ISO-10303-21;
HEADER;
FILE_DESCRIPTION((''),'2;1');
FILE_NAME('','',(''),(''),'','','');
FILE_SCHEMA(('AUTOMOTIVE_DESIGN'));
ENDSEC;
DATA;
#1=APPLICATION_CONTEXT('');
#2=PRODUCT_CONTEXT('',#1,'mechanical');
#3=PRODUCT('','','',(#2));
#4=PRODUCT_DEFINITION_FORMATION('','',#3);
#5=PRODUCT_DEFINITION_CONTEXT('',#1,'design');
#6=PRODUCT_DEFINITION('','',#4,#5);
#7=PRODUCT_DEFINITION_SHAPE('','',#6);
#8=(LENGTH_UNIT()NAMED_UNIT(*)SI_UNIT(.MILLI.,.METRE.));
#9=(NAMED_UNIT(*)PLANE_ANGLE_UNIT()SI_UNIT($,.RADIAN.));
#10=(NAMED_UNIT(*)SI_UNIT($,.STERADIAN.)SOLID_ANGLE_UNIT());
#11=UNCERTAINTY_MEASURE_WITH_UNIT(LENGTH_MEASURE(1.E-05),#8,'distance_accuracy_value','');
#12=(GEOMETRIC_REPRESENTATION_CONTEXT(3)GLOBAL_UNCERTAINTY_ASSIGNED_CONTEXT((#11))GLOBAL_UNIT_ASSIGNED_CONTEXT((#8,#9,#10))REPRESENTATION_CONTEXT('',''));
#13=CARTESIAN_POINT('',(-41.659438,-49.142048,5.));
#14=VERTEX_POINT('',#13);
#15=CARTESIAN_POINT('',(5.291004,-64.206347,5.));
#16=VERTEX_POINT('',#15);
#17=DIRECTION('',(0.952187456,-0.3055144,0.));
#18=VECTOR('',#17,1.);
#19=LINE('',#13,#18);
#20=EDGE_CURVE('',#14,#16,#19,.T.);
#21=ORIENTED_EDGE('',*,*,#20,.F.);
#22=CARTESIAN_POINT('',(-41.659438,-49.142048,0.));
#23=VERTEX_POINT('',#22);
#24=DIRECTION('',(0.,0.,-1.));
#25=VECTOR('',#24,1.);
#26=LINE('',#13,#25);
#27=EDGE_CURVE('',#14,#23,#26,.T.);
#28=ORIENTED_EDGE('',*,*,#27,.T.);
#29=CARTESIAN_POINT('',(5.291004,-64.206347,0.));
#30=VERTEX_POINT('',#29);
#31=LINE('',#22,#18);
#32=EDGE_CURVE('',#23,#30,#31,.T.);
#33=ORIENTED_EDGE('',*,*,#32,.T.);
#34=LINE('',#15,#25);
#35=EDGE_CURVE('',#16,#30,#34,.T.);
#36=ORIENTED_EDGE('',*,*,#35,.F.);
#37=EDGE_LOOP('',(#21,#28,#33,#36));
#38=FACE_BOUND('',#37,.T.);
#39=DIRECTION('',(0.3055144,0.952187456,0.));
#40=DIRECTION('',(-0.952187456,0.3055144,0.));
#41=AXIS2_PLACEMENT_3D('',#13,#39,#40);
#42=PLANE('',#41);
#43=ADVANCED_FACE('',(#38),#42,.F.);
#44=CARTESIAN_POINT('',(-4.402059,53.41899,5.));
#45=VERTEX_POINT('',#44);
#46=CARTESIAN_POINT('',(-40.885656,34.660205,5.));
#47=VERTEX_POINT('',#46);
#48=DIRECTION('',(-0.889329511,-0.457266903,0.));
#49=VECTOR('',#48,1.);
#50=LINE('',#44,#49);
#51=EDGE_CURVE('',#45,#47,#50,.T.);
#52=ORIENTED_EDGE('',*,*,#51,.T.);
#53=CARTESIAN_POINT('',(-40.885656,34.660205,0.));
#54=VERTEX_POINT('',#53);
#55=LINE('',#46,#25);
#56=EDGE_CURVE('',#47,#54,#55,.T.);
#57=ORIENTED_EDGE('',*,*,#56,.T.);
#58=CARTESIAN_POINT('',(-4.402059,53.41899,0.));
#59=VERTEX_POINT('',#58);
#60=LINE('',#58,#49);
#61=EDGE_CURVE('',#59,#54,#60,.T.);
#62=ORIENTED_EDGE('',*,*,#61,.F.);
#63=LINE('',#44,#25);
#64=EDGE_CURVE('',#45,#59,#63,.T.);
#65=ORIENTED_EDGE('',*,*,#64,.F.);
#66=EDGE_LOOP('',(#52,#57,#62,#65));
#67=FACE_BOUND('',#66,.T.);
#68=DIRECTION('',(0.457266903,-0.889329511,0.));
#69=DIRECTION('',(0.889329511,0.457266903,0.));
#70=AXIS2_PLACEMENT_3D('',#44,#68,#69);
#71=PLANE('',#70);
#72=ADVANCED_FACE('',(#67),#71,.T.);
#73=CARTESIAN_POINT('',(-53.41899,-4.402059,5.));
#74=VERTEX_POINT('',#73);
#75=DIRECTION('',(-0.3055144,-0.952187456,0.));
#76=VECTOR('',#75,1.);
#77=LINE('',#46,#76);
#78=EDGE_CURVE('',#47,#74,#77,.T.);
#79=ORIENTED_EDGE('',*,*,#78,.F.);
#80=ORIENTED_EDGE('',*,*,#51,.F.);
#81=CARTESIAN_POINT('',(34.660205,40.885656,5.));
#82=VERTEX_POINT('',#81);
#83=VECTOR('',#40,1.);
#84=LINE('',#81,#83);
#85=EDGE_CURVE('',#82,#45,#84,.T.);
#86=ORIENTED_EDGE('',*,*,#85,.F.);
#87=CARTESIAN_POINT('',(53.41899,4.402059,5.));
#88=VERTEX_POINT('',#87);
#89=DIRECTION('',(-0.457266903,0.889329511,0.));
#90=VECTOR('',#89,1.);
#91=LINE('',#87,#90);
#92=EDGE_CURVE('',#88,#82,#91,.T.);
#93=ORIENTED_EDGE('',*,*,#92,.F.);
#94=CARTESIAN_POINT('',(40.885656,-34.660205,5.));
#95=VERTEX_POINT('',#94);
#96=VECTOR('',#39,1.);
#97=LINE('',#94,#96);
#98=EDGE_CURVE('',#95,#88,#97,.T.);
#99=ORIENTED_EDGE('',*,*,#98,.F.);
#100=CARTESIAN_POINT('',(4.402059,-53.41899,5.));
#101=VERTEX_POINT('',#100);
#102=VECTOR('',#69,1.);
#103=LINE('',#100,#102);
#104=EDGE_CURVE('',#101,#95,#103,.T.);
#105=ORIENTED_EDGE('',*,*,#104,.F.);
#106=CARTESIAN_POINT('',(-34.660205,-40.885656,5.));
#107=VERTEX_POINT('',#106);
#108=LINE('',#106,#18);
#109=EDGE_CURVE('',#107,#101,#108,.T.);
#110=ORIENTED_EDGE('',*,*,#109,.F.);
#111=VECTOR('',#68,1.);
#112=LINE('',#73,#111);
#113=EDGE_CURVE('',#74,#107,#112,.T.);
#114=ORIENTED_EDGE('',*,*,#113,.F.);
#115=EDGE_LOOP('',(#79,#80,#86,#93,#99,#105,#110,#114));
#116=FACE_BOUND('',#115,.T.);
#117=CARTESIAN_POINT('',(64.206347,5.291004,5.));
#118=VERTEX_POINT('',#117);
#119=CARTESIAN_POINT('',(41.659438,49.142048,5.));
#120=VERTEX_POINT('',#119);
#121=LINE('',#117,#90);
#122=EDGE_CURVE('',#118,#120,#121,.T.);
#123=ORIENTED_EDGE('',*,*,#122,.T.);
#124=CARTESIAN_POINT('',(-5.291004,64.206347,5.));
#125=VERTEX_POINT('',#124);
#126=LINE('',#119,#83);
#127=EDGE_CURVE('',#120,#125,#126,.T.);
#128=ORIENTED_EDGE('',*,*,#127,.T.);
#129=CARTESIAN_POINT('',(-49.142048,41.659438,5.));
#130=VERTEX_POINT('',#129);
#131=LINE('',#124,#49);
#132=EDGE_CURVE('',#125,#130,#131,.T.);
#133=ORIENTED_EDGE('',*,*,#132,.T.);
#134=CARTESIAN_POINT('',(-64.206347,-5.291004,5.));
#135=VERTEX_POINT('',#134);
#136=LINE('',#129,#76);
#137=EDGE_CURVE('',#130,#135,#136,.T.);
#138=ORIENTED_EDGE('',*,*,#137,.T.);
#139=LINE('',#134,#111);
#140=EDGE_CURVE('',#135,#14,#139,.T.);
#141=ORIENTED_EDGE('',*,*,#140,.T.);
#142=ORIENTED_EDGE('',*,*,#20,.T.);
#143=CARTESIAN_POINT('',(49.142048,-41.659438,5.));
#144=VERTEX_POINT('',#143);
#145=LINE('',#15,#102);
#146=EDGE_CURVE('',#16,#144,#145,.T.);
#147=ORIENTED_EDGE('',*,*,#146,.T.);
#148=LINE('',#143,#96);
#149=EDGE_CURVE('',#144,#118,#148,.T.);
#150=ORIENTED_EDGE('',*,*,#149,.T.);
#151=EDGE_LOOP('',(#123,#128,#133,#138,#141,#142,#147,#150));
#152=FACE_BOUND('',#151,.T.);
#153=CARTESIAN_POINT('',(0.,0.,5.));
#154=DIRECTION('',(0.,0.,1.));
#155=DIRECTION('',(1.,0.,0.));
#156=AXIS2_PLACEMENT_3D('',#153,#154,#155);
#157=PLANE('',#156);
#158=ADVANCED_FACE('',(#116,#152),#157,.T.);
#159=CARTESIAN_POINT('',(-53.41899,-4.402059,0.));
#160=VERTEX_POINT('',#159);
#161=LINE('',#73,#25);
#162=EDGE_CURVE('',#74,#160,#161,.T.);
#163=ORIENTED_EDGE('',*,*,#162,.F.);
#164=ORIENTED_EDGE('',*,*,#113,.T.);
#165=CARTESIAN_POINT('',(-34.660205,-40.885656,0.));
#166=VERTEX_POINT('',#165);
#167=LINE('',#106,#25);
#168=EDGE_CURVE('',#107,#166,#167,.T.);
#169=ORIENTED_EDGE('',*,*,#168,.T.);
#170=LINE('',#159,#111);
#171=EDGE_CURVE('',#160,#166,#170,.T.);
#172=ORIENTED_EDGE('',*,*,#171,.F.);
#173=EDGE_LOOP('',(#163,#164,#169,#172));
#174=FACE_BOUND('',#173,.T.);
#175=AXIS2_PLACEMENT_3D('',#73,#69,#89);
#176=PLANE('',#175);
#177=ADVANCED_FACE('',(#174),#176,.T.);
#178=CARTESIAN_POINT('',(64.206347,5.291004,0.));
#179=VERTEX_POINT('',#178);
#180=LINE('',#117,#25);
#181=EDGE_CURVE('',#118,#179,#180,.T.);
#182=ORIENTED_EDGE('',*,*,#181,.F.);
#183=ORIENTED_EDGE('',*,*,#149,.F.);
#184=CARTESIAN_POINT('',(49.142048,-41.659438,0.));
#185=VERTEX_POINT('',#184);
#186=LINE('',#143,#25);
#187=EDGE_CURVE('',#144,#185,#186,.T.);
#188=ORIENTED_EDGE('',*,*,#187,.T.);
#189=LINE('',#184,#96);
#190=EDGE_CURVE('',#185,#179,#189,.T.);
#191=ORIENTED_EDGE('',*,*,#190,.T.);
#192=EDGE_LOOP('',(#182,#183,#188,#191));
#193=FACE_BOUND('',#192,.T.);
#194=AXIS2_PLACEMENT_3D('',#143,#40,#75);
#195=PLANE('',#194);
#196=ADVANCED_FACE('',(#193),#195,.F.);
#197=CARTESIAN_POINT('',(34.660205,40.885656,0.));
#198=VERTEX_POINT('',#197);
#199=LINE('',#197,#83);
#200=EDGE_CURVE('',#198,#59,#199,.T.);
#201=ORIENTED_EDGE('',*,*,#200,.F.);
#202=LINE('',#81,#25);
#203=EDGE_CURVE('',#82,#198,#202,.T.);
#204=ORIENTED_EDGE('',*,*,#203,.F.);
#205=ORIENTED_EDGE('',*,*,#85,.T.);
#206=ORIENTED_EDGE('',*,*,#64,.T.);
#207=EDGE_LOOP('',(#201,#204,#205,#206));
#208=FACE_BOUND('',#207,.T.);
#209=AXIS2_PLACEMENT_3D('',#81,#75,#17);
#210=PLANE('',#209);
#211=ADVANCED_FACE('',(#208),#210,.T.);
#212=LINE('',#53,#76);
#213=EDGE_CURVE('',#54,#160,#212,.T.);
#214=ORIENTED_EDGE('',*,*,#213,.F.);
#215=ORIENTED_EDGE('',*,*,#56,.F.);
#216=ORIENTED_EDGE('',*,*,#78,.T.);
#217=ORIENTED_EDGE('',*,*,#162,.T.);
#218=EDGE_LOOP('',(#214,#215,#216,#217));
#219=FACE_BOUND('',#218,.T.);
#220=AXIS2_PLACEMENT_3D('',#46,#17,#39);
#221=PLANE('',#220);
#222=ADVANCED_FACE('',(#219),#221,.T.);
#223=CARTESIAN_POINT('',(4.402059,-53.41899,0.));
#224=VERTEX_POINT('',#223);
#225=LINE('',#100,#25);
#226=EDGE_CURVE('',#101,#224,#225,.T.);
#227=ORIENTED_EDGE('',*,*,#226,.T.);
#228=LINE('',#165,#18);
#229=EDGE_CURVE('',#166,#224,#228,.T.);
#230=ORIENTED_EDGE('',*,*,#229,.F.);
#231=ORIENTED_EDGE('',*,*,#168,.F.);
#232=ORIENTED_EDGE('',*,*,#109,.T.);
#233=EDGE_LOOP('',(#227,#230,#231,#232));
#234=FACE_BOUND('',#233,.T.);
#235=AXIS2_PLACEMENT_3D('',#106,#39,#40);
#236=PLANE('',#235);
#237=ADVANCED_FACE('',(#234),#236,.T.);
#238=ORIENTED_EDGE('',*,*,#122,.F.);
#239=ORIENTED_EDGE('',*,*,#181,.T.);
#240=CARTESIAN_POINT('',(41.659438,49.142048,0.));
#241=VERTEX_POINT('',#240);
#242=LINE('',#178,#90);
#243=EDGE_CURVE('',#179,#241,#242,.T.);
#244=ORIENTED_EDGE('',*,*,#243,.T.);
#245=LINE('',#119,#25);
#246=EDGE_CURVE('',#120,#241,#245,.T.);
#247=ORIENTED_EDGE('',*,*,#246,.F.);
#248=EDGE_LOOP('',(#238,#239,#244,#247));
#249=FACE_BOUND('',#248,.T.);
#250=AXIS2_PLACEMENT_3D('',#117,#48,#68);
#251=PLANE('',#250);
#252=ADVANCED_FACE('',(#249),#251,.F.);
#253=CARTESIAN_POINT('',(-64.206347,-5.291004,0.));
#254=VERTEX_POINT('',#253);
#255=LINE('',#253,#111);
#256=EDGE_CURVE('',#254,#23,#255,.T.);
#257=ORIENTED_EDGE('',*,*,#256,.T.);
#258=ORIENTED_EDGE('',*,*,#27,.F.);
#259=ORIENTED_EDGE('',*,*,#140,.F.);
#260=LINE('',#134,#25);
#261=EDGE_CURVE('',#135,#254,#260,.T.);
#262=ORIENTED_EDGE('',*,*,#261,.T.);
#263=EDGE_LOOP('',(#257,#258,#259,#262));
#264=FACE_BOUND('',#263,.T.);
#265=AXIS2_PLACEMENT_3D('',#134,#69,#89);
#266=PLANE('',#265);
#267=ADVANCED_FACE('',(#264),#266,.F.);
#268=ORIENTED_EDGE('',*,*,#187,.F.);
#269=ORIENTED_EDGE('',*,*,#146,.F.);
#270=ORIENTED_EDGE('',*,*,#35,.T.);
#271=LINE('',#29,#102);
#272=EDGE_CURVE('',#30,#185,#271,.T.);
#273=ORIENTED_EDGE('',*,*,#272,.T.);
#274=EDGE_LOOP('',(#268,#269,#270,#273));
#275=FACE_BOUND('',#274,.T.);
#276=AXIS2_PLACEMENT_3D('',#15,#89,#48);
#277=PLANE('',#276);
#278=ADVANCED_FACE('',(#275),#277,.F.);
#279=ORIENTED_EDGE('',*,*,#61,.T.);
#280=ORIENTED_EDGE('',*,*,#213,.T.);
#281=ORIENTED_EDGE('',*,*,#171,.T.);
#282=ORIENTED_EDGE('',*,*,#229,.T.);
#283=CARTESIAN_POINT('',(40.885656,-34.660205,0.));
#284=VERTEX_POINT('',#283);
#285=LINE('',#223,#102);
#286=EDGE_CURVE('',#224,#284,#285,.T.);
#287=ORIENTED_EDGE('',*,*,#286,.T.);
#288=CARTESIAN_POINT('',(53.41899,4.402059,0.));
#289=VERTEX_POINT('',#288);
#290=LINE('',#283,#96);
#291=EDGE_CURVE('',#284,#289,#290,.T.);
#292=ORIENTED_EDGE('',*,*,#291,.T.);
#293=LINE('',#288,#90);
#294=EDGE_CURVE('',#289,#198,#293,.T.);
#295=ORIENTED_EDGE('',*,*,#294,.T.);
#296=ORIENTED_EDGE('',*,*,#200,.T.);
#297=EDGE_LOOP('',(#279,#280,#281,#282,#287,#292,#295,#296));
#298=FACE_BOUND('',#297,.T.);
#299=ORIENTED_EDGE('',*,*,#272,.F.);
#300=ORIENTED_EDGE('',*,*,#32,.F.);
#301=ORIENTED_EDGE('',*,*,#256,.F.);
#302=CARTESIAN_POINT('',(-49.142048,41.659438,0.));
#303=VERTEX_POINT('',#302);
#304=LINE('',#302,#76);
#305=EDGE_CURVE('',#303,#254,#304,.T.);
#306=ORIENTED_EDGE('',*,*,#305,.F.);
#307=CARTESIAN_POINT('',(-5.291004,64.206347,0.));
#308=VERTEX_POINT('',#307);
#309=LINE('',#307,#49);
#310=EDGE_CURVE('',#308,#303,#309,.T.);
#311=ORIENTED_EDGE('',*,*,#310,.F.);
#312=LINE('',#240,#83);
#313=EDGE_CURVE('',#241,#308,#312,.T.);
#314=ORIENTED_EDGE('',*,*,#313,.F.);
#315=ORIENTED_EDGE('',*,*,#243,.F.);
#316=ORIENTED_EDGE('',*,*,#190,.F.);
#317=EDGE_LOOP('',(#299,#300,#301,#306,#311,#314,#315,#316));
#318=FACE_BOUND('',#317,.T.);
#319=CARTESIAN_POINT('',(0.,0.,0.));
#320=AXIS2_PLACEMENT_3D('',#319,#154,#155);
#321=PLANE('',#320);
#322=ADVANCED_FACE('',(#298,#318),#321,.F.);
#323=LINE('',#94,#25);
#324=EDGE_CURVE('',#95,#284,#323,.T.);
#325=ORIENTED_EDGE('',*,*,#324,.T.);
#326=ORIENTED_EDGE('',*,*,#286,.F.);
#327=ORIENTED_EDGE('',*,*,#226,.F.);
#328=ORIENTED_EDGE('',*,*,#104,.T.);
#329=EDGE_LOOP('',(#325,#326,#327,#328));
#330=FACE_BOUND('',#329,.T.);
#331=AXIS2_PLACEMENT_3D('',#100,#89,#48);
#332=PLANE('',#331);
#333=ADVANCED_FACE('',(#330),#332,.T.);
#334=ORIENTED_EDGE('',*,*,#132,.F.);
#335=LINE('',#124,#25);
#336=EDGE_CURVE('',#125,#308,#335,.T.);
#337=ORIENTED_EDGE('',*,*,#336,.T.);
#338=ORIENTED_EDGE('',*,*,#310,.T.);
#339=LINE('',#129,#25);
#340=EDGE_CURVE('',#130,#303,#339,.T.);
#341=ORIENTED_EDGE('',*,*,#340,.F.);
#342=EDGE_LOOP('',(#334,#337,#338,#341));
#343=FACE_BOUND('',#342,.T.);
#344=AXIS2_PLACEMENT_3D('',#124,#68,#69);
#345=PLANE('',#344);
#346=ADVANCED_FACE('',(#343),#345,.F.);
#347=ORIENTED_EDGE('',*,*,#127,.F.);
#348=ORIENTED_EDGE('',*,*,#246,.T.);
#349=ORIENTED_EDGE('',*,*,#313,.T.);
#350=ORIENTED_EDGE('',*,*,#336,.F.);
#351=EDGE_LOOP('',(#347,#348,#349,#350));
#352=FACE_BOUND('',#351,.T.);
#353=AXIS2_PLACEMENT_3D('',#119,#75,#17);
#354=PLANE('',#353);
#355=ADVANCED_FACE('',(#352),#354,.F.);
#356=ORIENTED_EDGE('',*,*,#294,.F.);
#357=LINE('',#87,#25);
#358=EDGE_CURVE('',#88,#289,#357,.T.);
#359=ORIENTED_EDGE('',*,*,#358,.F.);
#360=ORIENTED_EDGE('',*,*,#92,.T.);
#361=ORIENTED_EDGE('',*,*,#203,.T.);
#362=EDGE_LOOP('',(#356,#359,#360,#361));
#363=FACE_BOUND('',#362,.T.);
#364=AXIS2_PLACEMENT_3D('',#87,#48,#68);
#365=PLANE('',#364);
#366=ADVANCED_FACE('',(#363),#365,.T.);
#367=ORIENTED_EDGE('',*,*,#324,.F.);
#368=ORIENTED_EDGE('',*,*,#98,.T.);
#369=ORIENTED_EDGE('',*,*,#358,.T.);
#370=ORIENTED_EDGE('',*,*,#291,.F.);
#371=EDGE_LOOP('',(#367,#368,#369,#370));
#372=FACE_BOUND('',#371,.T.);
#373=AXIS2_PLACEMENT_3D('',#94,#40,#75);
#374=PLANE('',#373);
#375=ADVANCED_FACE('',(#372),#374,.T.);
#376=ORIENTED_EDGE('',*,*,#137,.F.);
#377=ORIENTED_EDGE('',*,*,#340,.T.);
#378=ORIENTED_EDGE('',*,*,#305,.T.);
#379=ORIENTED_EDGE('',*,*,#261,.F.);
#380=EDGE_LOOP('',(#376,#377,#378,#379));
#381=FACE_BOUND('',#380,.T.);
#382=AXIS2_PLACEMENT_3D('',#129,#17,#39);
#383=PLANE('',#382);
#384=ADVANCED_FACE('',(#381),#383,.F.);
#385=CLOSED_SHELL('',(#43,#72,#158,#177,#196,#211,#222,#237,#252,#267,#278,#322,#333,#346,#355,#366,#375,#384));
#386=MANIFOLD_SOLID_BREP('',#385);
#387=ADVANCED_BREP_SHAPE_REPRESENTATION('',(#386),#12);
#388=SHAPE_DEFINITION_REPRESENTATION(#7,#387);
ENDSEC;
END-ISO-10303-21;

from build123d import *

# Parameters (mm, degrees)
EXTRUDE_1_DEPTH = 5


with BuildPart() as part:
    # 草图1 → 凸台-拉伸1 (new body)
    with BuildSketch(Plane.XY):
        Polygon((41.659438275, 49.142048048), (-5.291004111, 64.20634672), (-49.142048048, 41.659438275), (-64.20634672, -5.291004111), (-41.659438275, -49.142048048), (5.291004111, -64.20634672), (49.142048048, -41.659438275), (64.20634672, 5.291004111), align=None)
        Polygon((34.660204694, 40.885655567), (-4.402058528, 53.418990081), (-40.885655567, 34.660204694), (-53.418990081, -4.402058528), (-34.660204694, -40.885655567), (4.402058528, -53.418990081), (40.885655567, -34.660204694), (53.418990081, 4.402058528), align=None, mode=Mode.SUBTRACT)
    extrude(amount=EXTRUDE_1_DEPTH)


solid = part.part
